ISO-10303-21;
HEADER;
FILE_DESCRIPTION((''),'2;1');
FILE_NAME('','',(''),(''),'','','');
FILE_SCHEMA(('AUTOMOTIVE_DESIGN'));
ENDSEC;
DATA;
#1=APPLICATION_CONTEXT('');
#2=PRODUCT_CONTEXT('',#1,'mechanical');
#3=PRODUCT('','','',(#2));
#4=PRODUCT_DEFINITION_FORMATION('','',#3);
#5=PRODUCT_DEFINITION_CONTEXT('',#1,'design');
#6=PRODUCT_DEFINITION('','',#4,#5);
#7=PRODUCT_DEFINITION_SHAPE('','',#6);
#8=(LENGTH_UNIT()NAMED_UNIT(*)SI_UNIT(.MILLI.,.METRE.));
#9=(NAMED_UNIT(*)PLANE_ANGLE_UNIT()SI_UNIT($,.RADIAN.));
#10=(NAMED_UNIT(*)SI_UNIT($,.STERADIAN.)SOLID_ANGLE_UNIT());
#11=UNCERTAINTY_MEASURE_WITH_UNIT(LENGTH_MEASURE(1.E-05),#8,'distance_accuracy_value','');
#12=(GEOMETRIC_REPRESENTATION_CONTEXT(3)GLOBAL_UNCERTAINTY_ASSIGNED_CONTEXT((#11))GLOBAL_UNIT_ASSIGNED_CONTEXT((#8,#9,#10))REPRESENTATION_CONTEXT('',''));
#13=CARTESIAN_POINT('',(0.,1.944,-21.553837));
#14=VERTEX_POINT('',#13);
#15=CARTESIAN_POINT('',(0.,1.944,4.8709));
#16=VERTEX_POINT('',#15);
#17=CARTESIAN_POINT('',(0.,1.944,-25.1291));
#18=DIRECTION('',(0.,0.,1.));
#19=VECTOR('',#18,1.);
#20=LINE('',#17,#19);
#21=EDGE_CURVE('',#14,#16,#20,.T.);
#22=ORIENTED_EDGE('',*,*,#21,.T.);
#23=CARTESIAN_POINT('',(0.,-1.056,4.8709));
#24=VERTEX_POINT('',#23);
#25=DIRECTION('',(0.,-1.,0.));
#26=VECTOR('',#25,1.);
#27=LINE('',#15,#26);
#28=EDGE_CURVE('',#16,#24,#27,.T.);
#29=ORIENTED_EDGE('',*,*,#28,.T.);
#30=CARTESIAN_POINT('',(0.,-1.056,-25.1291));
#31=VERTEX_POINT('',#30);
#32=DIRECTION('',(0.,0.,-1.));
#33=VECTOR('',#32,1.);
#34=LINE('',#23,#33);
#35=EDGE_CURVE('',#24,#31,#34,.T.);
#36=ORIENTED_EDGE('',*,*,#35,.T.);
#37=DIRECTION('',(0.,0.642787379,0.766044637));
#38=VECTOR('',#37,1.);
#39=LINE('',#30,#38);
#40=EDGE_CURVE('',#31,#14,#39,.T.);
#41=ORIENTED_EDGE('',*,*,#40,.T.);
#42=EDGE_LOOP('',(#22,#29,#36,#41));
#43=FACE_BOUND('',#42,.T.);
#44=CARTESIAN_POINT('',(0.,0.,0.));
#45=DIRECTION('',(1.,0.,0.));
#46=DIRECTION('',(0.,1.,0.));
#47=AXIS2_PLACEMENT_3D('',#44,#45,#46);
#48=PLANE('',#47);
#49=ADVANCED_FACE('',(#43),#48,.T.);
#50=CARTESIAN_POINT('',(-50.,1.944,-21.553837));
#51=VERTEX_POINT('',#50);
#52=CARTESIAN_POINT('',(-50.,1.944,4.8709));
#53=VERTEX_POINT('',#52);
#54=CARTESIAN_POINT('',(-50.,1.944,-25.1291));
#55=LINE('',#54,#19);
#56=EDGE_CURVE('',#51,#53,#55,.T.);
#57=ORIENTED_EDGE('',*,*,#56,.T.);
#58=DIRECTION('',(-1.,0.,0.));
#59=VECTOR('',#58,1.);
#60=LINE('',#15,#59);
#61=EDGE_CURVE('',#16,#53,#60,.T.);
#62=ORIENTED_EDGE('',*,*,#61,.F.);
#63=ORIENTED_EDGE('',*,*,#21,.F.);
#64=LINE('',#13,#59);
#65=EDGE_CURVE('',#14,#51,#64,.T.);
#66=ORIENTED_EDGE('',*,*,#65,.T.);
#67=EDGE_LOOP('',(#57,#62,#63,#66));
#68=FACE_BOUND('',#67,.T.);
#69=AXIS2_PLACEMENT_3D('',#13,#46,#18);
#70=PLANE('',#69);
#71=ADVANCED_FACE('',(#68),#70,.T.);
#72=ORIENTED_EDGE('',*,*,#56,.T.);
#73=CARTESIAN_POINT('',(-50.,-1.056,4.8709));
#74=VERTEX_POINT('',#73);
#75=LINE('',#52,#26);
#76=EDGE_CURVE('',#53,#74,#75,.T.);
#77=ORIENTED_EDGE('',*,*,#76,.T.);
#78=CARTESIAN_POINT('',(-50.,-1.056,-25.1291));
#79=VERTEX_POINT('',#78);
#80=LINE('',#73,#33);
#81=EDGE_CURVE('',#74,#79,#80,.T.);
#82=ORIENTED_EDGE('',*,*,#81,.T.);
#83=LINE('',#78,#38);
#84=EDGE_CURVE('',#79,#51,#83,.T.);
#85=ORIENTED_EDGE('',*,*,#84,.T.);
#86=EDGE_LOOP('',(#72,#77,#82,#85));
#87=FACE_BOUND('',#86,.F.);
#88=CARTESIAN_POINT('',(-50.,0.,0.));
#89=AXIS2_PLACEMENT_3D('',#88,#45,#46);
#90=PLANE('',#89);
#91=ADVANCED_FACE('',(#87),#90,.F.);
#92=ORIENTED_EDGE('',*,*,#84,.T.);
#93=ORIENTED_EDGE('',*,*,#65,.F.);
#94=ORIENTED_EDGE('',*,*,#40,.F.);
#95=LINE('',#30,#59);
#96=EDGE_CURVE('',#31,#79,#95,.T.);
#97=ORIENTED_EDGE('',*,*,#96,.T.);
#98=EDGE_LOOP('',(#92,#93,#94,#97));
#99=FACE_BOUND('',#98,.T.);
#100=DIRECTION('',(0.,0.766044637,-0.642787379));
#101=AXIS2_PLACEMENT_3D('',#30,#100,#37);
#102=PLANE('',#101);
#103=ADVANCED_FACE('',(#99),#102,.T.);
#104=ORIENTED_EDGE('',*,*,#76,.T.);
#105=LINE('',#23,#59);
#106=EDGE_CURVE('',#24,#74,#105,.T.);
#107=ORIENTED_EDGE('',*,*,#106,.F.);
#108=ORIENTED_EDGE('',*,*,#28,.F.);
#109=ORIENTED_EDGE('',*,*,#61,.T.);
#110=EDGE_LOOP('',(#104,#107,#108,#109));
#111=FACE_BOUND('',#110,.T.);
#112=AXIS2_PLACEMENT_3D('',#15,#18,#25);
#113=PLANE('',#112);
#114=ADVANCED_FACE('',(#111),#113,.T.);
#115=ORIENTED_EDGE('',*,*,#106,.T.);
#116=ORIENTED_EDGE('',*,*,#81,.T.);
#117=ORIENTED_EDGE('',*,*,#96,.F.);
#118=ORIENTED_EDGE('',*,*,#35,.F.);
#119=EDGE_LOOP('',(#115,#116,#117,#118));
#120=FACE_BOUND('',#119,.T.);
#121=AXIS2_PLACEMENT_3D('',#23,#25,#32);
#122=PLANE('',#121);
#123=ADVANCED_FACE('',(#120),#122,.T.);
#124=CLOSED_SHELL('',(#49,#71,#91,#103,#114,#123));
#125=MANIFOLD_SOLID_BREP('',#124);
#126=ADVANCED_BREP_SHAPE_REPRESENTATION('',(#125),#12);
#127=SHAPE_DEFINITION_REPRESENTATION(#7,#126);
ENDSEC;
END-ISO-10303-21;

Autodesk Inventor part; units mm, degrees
ref_plane "YZ Plane" through (0, 0, 0) normal (1, 0, 0) x (0, 1, 0)
ref_plane "XZ Plane" through (0, 0, 0) normal (0, 1, 0) x (-1, 0, 0)
ref_plane "XY Plane" through (0, 0, 0) normal (0, 0, 1) x (1, 0, 0)
sketch "Sketch1" plane through (0, 0, 0) normal (1, 0, 0) x (0, 1, 0)
  line L0 (1.944, 4.8709) -> (-1.056, 4.8709)
  line L1 (-1.056, 4.8709) -> (-1.056, -25.1291)
  line L2 (-1.056, -25.1291) -> (1.944, -25.1291)
  line L3 (1.944, -25.1291) -> (1.944, 4.8709)
  line L4 (-1.056, -25.1291) -> (9.6963, -12.315)
  point P0 (0, 0)
  point P1 (1.944, -21.5539)
  dimension "d0" = 3
  dimension "d1" = 30
  dimension "d2" = 40
extrude "Extrusion1" add sketch "Sketch1" against normal blind 50 contours L3 L4 L1 L0
properties part number "nozz"
